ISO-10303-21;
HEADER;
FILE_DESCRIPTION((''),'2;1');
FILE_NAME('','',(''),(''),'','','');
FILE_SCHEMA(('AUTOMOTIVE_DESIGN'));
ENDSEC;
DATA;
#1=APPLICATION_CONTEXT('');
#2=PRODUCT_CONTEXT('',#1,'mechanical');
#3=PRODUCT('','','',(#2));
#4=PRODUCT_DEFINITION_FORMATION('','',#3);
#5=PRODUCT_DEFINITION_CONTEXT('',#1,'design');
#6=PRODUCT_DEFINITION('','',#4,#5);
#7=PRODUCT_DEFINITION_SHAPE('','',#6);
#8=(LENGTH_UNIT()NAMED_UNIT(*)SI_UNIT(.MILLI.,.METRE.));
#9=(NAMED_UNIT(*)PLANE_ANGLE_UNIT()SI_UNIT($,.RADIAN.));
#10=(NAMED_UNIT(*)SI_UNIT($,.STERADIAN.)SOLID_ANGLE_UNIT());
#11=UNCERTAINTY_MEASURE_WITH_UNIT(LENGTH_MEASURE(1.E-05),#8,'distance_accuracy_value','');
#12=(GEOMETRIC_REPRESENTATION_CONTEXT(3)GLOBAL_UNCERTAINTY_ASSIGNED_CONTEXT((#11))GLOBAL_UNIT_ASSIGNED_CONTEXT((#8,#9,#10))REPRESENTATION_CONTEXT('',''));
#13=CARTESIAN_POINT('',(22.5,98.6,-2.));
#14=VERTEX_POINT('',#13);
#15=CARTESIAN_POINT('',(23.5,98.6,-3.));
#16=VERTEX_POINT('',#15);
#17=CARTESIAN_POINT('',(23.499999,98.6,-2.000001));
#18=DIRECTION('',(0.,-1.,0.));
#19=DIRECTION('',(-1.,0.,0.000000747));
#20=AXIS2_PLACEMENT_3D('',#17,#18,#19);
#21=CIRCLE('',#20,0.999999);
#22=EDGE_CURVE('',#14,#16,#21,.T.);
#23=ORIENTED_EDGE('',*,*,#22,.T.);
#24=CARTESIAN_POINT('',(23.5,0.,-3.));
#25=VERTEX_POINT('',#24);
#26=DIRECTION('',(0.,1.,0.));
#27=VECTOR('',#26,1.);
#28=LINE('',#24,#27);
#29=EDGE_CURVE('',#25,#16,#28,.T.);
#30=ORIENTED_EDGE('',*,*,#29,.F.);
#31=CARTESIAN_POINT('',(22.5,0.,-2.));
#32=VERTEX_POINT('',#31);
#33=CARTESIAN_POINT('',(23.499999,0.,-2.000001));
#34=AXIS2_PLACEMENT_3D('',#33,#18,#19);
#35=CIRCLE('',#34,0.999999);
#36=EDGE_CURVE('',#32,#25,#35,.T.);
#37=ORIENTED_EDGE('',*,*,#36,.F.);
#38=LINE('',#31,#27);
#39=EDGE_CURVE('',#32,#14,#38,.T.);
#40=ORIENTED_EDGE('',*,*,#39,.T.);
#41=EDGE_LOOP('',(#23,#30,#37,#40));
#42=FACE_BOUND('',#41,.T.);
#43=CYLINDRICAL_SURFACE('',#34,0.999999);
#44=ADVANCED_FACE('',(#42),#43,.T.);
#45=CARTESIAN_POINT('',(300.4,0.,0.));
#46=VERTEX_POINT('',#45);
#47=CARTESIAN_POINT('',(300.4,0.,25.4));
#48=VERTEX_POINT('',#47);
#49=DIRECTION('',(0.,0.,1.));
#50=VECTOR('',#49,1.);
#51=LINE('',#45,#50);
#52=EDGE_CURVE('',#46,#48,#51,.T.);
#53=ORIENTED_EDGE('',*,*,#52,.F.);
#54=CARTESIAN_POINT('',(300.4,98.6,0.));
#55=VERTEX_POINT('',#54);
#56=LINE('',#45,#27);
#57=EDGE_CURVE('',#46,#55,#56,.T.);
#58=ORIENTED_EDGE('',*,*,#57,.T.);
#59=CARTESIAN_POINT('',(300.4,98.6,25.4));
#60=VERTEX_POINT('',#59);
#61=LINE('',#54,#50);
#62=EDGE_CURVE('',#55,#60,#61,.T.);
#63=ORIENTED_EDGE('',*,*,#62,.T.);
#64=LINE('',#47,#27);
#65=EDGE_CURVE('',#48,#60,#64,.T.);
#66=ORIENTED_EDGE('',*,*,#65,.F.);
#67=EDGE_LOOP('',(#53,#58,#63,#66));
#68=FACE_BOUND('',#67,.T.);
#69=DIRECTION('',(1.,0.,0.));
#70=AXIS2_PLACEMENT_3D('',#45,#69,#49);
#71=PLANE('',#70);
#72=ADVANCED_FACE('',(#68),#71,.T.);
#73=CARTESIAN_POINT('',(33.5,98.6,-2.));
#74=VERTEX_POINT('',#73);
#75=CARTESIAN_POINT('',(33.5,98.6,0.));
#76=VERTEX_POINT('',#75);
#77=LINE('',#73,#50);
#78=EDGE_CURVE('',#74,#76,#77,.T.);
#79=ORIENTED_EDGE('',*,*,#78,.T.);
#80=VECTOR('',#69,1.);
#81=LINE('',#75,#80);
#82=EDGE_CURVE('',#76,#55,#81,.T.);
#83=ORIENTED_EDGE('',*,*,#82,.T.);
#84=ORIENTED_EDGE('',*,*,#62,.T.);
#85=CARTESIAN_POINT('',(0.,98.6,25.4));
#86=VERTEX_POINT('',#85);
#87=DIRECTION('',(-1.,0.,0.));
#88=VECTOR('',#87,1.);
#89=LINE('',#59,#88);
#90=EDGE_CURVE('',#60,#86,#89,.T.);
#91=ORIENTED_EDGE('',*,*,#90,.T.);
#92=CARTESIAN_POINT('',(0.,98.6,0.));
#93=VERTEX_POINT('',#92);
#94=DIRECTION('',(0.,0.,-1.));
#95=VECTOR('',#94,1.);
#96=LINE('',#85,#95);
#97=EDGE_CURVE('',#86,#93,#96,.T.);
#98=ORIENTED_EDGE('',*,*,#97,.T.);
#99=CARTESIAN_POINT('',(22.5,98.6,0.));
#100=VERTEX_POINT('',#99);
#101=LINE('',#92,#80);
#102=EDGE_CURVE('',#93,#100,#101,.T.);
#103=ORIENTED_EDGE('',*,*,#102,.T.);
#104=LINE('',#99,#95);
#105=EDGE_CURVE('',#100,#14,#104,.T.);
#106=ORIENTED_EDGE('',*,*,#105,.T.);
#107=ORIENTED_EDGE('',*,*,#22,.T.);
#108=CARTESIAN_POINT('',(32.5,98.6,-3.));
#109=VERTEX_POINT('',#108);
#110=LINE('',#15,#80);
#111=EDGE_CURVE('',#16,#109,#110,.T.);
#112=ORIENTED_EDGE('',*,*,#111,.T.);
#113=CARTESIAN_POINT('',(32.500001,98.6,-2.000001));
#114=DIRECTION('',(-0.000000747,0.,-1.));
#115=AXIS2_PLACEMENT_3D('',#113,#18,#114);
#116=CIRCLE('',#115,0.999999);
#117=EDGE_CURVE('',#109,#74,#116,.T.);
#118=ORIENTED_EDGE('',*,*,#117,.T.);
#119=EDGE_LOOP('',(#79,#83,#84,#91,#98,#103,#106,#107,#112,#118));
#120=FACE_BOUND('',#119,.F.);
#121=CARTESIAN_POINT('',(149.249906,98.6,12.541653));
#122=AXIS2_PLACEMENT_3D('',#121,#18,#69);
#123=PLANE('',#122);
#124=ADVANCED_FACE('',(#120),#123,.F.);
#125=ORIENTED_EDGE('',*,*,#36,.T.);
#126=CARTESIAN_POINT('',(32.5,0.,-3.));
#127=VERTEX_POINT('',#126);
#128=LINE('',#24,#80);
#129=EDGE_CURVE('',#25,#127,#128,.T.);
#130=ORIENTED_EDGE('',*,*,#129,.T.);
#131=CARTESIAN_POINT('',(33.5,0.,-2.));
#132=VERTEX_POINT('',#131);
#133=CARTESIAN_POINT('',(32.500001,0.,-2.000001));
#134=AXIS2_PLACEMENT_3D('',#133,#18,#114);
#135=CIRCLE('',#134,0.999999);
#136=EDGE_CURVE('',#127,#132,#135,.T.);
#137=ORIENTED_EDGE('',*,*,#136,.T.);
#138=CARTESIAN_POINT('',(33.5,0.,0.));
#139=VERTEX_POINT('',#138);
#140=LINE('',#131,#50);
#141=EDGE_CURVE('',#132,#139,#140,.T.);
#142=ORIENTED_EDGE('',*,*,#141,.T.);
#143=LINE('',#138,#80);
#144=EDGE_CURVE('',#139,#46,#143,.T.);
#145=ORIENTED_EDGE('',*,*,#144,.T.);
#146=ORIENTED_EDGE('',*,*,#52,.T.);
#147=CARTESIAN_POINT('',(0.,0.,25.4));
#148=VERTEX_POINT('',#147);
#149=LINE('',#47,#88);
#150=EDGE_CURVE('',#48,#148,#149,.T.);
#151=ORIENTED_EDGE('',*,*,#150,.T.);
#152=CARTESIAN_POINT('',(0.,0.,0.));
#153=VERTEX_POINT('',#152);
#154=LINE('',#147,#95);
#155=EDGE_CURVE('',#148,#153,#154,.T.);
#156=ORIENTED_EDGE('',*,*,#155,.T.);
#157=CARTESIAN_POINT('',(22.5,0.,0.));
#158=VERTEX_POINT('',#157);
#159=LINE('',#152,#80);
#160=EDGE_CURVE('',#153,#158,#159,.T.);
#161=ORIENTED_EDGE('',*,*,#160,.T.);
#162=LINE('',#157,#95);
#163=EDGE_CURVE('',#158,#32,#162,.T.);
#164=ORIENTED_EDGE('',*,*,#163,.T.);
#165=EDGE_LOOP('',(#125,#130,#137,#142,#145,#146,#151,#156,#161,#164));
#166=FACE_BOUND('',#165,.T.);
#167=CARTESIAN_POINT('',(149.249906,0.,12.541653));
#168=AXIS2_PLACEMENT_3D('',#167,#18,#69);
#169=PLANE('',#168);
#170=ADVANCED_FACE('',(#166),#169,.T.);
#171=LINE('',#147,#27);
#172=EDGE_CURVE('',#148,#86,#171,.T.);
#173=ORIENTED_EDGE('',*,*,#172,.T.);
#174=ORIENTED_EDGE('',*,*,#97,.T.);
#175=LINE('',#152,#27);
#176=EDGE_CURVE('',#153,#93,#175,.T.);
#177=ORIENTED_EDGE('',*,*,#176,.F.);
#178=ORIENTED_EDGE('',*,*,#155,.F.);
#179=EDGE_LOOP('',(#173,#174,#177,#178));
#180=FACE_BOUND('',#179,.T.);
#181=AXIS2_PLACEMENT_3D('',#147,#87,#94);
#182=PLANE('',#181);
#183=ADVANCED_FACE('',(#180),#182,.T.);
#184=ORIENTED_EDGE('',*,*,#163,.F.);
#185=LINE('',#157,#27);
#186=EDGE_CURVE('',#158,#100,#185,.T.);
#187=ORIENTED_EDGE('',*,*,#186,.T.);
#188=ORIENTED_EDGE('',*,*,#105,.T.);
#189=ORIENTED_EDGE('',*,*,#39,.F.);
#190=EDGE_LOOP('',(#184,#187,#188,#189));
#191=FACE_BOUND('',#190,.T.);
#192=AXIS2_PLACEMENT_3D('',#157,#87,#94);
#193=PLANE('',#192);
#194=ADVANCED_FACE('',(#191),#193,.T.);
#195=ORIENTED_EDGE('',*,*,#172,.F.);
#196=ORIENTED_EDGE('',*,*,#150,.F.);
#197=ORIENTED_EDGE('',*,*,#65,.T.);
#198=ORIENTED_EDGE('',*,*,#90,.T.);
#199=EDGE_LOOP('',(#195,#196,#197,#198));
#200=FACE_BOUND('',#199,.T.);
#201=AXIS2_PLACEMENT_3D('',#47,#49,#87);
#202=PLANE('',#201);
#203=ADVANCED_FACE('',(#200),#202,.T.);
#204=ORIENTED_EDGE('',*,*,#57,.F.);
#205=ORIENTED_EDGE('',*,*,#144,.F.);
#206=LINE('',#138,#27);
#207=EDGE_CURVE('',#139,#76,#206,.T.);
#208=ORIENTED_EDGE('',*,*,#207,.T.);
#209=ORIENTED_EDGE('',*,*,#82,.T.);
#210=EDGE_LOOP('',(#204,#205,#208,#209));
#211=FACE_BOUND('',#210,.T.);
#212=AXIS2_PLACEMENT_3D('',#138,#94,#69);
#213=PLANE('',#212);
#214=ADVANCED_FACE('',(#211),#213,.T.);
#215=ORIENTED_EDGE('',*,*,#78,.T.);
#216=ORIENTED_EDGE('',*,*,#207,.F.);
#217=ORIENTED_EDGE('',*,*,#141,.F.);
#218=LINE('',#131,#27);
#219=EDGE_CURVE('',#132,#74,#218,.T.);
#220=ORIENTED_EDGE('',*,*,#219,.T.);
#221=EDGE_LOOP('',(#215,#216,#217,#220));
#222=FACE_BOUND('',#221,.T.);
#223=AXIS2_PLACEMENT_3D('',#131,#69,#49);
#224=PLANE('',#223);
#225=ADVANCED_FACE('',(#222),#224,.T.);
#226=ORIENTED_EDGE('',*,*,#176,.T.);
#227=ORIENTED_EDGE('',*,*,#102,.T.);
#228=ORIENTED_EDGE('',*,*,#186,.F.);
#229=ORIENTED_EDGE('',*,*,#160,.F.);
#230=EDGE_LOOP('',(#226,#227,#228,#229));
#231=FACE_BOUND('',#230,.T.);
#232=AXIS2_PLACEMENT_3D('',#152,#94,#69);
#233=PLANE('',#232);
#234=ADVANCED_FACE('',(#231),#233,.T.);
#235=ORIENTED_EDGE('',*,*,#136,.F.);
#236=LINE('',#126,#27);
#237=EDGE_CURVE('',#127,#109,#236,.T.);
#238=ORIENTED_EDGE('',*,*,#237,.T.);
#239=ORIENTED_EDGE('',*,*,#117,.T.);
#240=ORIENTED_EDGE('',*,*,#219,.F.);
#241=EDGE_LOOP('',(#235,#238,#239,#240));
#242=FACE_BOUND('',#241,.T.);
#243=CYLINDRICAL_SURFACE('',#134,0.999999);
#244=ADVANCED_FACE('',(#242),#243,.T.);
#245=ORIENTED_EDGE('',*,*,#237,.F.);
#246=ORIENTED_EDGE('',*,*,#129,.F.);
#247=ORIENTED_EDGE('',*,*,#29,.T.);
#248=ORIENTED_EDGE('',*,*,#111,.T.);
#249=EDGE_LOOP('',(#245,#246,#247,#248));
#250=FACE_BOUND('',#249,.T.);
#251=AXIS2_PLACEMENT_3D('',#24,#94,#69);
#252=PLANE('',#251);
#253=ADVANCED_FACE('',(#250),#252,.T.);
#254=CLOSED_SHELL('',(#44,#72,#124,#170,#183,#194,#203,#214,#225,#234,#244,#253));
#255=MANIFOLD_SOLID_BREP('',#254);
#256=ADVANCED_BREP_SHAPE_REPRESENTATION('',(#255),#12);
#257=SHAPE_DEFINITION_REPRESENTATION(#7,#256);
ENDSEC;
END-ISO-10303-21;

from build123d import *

# Parameters (mm, degrees)
F1_DEPTH = 98.6


with BuildPart() as f1:
    # F0 (on Front) → F1 (new body)
    with BuildSketch(Plane.XZ):
        with BuildLine():
            Line((0, 25.4), (0, 0))
            Line((0, 0), (22.5, 0))
            Line((22.5, 0), (22.5, -2))
            ThreePointArc((22.5, -2), (22.792893, -2.707107), (23.5, -3))
            Line((23.5, -3), (32.5, -3))
            ThreePointArc((32.5, -3), (33.207107, -2.707107), (33.5, -2))
            Line((33.5, -2), (33.5, 0))
            Line((33.5, 0), (300.4, 0))
            Line((300.4, 0), (300.4, 25.4))
            Line((300.4, 25.4), (0, 25.4))
        make_face()
    extrude(amount=-F1_DEPTH)


solid = f1.part
